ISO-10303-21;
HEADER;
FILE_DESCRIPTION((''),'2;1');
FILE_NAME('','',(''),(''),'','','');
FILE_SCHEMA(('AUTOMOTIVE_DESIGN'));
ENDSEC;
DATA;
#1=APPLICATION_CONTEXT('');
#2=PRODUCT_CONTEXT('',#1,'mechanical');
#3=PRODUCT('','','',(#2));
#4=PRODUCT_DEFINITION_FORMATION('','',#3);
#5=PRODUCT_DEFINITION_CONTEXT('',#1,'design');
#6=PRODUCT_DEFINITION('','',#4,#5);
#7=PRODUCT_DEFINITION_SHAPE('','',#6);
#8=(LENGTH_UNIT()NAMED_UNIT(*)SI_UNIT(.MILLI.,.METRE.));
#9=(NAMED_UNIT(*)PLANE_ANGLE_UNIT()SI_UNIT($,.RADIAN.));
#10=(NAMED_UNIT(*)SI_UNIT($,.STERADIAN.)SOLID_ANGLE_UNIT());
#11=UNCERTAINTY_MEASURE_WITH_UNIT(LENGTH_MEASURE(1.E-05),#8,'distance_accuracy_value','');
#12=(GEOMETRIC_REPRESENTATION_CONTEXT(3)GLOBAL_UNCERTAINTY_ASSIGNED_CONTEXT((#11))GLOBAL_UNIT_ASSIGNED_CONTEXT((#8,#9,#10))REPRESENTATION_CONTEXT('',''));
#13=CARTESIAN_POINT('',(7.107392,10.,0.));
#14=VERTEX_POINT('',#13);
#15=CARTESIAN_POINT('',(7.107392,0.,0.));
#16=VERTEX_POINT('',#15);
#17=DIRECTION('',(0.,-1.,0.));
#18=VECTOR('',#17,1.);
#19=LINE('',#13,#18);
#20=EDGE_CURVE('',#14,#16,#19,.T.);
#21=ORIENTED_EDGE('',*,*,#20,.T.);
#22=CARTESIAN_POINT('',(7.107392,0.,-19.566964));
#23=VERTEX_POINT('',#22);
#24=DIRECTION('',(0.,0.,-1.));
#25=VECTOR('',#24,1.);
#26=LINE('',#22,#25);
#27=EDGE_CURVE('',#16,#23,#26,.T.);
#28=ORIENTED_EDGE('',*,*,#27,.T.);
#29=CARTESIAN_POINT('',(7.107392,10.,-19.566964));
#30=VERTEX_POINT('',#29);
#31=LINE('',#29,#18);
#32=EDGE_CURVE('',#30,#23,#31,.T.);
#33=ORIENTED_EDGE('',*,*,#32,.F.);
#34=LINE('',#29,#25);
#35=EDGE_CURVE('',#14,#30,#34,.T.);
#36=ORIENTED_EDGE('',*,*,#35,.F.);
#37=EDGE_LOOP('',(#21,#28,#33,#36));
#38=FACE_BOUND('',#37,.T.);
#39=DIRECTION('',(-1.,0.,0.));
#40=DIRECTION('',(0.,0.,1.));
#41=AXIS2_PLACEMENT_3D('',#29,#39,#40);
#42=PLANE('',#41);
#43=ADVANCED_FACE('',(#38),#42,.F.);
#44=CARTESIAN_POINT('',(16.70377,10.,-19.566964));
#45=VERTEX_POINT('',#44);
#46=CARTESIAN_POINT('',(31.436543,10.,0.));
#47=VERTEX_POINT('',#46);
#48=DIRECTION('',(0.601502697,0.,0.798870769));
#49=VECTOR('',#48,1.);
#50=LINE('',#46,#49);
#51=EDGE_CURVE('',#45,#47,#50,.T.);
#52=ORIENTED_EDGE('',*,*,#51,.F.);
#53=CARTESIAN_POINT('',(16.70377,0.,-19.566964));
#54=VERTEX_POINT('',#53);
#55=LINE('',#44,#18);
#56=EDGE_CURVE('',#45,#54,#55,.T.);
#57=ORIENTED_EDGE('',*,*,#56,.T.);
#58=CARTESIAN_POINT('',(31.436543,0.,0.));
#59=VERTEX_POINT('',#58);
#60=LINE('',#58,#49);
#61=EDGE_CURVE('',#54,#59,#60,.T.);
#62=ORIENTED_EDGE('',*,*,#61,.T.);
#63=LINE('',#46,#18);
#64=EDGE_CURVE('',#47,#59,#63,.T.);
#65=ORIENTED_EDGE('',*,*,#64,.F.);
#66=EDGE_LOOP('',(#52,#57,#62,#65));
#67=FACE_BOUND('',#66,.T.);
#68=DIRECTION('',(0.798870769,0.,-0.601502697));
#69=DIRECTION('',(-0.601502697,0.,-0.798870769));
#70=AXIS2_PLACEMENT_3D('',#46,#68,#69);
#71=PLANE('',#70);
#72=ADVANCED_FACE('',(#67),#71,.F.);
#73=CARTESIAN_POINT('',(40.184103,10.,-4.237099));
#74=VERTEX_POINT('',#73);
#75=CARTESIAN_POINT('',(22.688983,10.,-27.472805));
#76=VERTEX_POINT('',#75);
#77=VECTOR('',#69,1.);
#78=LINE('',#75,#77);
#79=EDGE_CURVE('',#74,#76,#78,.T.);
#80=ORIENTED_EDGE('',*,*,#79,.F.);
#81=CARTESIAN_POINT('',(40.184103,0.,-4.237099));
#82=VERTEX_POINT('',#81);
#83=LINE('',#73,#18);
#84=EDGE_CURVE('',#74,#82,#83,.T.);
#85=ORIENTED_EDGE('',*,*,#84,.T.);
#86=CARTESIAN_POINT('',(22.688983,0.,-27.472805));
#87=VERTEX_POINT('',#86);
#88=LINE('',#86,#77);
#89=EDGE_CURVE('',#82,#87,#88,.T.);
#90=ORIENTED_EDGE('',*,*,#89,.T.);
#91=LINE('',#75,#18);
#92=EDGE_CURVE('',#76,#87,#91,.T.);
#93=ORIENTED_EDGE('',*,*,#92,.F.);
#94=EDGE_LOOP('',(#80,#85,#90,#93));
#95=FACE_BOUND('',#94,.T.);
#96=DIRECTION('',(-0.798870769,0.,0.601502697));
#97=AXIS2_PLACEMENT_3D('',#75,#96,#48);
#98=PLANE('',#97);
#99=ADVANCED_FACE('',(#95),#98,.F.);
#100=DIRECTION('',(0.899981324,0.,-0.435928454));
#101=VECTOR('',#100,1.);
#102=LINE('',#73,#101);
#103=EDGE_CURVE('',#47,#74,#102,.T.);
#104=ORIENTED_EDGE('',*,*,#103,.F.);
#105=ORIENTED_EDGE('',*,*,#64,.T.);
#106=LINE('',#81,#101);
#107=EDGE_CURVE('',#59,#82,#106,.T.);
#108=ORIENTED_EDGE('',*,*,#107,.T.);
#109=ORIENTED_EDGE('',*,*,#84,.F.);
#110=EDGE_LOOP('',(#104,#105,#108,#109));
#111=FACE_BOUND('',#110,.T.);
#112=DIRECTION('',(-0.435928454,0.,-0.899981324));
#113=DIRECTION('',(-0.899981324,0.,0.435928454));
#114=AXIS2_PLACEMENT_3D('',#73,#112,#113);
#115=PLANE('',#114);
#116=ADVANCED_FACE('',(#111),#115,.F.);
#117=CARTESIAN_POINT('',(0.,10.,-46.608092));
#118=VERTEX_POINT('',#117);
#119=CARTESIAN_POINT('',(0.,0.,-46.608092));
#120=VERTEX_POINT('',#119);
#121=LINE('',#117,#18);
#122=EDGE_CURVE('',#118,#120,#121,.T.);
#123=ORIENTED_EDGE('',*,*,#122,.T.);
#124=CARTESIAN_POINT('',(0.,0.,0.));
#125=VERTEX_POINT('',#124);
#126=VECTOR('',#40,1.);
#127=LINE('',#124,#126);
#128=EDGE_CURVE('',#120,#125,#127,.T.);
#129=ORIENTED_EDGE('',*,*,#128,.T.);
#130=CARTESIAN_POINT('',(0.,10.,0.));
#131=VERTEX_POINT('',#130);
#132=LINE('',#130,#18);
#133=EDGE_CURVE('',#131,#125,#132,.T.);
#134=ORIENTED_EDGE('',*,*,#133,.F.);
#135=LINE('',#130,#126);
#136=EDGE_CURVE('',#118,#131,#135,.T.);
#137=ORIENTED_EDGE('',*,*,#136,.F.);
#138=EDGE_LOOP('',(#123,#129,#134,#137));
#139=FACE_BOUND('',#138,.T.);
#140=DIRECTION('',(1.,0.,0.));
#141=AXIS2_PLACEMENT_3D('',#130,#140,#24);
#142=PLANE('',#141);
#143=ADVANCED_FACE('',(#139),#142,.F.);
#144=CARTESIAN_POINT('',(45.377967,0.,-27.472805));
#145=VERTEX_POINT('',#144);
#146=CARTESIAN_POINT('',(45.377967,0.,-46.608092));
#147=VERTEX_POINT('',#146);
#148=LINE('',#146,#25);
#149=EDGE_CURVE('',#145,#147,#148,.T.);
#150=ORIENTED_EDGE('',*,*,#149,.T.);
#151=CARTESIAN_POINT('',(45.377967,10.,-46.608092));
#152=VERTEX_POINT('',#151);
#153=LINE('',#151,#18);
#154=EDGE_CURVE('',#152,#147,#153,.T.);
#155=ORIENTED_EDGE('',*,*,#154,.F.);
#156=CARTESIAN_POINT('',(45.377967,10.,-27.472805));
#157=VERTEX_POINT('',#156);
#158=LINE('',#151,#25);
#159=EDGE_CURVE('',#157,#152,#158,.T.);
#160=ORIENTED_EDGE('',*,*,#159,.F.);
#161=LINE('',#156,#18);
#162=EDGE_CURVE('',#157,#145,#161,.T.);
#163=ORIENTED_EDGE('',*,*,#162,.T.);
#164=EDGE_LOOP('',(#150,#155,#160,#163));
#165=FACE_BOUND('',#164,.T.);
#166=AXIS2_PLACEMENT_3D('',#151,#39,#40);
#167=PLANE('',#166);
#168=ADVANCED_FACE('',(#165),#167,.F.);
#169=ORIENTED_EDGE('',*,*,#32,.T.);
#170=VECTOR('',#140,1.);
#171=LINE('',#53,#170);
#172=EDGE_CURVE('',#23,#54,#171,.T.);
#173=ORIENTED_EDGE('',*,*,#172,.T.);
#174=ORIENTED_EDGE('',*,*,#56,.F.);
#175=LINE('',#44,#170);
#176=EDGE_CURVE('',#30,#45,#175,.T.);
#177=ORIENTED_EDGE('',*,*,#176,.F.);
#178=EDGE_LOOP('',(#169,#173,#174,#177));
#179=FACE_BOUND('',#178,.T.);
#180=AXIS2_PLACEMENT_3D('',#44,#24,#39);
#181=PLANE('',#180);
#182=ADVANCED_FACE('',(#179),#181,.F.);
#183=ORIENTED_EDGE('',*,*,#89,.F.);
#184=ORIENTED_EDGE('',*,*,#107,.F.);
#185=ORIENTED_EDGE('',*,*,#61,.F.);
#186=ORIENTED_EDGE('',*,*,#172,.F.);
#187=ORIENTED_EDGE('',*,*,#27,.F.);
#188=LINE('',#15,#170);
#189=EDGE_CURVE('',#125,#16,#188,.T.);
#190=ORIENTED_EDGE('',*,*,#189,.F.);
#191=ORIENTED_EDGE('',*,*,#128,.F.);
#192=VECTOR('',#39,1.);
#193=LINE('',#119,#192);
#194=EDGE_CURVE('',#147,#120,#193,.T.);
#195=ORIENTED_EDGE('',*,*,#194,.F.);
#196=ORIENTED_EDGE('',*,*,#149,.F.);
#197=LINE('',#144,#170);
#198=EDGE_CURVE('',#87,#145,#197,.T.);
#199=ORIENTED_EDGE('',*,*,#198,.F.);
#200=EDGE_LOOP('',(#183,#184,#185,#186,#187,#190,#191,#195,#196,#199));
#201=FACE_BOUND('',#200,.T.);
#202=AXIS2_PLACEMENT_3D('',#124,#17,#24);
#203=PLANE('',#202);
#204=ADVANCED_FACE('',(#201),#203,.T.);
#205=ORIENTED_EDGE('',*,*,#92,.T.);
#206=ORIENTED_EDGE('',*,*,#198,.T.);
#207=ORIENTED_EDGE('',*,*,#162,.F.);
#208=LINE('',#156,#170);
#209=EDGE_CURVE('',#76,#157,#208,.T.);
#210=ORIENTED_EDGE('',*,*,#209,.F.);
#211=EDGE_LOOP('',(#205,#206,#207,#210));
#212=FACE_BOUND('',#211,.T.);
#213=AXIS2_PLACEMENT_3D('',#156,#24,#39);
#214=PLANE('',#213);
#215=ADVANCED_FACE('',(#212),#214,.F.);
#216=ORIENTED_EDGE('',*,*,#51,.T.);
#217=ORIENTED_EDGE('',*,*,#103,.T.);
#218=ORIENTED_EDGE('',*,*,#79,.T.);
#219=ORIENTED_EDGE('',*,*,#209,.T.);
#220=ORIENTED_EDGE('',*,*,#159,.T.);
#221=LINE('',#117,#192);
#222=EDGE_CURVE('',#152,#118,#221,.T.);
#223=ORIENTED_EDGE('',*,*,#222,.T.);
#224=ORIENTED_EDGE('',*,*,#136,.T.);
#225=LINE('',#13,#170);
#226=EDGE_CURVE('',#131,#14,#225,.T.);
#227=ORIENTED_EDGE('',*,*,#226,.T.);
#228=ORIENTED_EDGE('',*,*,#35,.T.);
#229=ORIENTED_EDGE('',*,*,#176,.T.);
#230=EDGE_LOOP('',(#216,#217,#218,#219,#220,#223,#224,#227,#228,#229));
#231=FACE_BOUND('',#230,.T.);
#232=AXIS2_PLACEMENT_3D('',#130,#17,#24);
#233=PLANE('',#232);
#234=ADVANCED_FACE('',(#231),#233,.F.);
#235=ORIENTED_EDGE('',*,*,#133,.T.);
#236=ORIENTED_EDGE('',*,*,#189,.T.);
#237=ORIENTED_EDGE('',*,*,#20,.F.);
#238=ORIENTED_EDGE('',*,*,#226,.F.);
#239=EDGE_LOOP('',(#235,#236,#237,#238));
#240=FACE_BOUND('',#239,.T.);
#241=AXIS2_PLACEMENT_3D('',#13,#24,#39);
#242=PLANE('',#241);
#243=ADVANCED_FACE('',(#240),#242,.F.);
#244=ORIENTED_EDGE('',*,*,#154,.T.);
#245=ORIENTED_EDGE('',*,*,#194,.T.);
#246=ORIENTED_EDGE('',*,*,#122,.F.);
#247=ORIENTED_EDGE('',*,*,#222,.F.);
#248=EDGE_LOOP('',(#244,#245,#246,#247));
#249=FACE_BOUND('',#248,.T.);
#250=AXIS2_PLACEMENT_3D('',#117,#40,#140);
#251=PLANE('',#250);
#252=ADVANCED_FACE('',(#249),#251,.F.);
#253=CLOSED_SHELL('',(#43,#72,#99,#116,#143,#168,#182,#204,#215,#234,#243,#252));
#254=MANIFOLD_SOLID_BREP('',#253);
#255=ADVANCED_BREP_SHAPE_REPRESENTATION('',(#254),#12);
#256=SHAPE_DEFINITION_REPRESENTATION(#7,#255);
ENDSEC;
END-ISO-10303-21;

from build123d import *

# Parameters (mm, degrees)
BOSS_EXTRUDE1_DEPTH = 10


with BuildPart() as part:
    # Sketch1 → Boss-Extrude1 (new body)
    with BuildSketch(Plane(origin=(0, 0, 0), x_dir=(1, 0, 0), z_dir=(0, 1, 0))):
        Polygon((0, 0), (0, 46.608092397), (45.377966791, 46.608092397), (45.377966791, 27.472805196), (22.688983396, 27.472805196), (40.184103122, 4.237099309), (31.436543259, 0), (16.70377019, 19.566964232), (7.107392389, 19.566964232), (7.107392389, 0), align=None)
    extrude(amount=BOSS_EXTRUDE1_DEPTH)


solid = part.part
